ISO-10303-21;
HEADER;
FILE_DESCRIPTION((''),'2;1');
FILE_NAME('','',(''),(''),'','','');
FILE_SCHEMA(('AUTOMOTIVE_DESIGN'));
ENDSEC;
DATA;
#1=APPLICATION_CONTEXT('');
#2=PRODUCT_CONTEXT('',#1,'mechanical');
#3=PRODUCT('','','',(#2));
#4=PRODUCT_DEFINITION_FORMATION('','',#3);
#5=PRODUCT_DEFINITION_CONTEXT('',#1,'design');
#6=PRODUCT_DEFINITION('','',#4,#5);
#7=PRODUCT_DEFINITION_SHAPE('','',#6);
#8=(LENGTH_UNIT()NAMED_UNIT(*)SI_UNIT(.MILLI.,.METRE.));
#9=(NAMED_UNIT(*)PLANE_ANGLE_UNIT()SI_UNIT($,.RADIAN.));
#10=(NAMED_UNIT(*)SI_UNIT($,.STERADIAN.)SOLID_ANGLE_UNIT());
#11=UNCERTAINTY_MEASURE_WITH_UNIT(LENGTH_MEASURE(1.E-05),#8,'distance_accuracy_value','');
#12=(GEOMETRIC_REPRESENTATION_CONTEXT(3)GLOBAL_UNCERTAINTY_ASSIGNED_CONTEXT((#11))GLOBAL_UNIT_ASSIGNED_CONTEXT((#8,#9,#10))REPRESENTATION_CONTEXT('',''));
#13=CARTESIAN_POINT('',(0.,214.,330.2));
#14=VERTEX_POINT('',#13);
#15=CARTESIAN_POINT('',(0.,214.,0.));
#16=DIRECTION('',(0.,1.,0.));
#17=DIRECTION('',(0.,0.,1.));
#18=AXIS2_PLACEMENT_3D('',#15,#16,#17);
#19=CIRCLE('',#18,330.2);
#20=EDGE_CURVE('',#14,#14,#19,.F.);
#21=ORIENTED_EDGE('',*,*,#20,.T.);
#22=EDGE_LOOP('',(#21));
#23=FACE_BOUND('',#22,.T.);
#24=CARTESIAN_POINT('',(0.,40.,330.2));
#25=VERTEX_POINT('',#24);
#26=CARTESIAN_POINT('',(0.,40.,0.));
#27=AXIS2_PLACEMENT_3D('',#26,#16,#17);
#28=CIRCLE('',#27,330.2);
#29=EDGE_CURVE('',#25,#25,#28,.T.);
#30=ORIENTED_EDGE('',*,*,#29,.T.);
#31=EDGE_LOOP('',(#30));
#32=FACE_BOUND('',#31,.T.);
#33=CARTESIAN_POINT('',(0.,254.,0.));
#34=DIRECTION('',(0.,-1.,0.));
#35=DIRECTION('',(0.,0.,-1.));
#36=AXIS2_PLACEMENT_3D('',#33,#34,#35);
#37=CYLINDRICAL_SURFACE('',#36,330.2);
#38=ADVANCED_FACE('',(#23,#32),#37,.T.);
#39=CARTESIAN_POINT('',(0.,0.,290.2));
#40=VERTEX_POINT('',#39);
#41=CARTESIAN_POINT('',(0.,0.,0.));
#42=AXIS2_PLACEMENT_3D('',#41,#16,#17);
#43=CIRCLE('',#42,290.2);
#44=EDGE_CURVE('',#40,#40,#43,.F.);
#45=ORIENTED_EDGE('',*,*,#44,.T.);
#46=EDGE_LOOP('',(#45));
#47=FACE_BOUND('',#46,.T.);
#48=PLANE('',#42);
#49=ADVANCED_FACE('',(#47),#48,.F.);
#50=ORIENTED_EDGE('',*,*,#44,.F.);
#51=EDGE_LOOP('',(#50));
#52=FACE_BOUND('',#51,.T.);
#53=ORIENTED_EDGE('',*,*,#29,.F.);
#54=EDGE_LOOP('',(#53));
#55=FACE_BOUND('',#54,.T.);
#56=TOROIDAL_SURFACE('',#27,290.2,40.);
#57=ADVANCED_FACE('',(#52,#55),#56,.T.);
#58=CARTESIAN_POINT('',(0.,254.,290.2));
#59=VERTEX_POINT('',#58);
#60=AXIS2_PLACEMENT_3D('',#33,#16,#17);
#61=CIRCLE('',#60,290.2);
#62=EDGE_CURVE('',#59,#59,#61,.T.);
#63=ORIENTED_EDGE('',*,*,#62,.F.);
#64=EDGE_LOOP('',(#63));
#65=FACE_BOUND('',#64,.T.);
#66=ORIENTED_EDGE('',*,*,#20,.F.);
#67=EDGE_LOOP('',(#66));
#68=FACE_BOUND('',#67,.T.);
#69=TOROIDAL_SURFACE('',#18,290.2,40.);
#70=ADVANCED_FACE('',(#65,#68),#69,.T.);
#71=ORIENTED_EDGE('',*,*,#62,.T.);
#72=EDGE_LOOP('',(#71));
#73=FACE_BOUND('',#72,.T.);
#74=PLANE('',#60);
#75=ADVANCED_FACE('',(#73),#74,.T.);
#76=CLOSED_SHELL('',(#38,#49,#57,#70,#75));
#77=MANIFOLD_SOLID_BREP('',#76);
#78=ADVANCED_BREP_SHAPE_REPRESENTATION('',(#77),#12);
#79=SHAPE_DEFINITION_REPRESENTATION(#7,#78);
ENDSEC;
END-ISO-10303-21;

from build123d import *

# Parameters (mm, degrees)
SCHIZZO1_R                   = 330.2
ESTRUSIONE_ESTRUSIONE1_DEPTH = 254
RACCORDO1_R                  = 40


with BuildPart() as part:
    # Schizzo1 → Estrusione-Estrusione1 (new body)
    with BuildSketch(Plane(origin=(0, 0, 0), x_dir=(-1, 0, 0), z_dir=(0, 1, 0))):
        with Locations(Location((0, 0, 0), (0, 0, 90))):
            Circle(SCHIZZO1_R)
    extrude(amount=ESTRUSIONE_ESTRUSIONE1_DEPTH)

    # Raccordo1
    raccordo1_edges = [part.edges().sort_by_distance(p)[0] for p in [
        (0, 0, -330.2),
        (0, 254, -330.2),
    ]]
    fillet(raccordo1_edges, radius=RACCORDO1_R)


solid = part.part
